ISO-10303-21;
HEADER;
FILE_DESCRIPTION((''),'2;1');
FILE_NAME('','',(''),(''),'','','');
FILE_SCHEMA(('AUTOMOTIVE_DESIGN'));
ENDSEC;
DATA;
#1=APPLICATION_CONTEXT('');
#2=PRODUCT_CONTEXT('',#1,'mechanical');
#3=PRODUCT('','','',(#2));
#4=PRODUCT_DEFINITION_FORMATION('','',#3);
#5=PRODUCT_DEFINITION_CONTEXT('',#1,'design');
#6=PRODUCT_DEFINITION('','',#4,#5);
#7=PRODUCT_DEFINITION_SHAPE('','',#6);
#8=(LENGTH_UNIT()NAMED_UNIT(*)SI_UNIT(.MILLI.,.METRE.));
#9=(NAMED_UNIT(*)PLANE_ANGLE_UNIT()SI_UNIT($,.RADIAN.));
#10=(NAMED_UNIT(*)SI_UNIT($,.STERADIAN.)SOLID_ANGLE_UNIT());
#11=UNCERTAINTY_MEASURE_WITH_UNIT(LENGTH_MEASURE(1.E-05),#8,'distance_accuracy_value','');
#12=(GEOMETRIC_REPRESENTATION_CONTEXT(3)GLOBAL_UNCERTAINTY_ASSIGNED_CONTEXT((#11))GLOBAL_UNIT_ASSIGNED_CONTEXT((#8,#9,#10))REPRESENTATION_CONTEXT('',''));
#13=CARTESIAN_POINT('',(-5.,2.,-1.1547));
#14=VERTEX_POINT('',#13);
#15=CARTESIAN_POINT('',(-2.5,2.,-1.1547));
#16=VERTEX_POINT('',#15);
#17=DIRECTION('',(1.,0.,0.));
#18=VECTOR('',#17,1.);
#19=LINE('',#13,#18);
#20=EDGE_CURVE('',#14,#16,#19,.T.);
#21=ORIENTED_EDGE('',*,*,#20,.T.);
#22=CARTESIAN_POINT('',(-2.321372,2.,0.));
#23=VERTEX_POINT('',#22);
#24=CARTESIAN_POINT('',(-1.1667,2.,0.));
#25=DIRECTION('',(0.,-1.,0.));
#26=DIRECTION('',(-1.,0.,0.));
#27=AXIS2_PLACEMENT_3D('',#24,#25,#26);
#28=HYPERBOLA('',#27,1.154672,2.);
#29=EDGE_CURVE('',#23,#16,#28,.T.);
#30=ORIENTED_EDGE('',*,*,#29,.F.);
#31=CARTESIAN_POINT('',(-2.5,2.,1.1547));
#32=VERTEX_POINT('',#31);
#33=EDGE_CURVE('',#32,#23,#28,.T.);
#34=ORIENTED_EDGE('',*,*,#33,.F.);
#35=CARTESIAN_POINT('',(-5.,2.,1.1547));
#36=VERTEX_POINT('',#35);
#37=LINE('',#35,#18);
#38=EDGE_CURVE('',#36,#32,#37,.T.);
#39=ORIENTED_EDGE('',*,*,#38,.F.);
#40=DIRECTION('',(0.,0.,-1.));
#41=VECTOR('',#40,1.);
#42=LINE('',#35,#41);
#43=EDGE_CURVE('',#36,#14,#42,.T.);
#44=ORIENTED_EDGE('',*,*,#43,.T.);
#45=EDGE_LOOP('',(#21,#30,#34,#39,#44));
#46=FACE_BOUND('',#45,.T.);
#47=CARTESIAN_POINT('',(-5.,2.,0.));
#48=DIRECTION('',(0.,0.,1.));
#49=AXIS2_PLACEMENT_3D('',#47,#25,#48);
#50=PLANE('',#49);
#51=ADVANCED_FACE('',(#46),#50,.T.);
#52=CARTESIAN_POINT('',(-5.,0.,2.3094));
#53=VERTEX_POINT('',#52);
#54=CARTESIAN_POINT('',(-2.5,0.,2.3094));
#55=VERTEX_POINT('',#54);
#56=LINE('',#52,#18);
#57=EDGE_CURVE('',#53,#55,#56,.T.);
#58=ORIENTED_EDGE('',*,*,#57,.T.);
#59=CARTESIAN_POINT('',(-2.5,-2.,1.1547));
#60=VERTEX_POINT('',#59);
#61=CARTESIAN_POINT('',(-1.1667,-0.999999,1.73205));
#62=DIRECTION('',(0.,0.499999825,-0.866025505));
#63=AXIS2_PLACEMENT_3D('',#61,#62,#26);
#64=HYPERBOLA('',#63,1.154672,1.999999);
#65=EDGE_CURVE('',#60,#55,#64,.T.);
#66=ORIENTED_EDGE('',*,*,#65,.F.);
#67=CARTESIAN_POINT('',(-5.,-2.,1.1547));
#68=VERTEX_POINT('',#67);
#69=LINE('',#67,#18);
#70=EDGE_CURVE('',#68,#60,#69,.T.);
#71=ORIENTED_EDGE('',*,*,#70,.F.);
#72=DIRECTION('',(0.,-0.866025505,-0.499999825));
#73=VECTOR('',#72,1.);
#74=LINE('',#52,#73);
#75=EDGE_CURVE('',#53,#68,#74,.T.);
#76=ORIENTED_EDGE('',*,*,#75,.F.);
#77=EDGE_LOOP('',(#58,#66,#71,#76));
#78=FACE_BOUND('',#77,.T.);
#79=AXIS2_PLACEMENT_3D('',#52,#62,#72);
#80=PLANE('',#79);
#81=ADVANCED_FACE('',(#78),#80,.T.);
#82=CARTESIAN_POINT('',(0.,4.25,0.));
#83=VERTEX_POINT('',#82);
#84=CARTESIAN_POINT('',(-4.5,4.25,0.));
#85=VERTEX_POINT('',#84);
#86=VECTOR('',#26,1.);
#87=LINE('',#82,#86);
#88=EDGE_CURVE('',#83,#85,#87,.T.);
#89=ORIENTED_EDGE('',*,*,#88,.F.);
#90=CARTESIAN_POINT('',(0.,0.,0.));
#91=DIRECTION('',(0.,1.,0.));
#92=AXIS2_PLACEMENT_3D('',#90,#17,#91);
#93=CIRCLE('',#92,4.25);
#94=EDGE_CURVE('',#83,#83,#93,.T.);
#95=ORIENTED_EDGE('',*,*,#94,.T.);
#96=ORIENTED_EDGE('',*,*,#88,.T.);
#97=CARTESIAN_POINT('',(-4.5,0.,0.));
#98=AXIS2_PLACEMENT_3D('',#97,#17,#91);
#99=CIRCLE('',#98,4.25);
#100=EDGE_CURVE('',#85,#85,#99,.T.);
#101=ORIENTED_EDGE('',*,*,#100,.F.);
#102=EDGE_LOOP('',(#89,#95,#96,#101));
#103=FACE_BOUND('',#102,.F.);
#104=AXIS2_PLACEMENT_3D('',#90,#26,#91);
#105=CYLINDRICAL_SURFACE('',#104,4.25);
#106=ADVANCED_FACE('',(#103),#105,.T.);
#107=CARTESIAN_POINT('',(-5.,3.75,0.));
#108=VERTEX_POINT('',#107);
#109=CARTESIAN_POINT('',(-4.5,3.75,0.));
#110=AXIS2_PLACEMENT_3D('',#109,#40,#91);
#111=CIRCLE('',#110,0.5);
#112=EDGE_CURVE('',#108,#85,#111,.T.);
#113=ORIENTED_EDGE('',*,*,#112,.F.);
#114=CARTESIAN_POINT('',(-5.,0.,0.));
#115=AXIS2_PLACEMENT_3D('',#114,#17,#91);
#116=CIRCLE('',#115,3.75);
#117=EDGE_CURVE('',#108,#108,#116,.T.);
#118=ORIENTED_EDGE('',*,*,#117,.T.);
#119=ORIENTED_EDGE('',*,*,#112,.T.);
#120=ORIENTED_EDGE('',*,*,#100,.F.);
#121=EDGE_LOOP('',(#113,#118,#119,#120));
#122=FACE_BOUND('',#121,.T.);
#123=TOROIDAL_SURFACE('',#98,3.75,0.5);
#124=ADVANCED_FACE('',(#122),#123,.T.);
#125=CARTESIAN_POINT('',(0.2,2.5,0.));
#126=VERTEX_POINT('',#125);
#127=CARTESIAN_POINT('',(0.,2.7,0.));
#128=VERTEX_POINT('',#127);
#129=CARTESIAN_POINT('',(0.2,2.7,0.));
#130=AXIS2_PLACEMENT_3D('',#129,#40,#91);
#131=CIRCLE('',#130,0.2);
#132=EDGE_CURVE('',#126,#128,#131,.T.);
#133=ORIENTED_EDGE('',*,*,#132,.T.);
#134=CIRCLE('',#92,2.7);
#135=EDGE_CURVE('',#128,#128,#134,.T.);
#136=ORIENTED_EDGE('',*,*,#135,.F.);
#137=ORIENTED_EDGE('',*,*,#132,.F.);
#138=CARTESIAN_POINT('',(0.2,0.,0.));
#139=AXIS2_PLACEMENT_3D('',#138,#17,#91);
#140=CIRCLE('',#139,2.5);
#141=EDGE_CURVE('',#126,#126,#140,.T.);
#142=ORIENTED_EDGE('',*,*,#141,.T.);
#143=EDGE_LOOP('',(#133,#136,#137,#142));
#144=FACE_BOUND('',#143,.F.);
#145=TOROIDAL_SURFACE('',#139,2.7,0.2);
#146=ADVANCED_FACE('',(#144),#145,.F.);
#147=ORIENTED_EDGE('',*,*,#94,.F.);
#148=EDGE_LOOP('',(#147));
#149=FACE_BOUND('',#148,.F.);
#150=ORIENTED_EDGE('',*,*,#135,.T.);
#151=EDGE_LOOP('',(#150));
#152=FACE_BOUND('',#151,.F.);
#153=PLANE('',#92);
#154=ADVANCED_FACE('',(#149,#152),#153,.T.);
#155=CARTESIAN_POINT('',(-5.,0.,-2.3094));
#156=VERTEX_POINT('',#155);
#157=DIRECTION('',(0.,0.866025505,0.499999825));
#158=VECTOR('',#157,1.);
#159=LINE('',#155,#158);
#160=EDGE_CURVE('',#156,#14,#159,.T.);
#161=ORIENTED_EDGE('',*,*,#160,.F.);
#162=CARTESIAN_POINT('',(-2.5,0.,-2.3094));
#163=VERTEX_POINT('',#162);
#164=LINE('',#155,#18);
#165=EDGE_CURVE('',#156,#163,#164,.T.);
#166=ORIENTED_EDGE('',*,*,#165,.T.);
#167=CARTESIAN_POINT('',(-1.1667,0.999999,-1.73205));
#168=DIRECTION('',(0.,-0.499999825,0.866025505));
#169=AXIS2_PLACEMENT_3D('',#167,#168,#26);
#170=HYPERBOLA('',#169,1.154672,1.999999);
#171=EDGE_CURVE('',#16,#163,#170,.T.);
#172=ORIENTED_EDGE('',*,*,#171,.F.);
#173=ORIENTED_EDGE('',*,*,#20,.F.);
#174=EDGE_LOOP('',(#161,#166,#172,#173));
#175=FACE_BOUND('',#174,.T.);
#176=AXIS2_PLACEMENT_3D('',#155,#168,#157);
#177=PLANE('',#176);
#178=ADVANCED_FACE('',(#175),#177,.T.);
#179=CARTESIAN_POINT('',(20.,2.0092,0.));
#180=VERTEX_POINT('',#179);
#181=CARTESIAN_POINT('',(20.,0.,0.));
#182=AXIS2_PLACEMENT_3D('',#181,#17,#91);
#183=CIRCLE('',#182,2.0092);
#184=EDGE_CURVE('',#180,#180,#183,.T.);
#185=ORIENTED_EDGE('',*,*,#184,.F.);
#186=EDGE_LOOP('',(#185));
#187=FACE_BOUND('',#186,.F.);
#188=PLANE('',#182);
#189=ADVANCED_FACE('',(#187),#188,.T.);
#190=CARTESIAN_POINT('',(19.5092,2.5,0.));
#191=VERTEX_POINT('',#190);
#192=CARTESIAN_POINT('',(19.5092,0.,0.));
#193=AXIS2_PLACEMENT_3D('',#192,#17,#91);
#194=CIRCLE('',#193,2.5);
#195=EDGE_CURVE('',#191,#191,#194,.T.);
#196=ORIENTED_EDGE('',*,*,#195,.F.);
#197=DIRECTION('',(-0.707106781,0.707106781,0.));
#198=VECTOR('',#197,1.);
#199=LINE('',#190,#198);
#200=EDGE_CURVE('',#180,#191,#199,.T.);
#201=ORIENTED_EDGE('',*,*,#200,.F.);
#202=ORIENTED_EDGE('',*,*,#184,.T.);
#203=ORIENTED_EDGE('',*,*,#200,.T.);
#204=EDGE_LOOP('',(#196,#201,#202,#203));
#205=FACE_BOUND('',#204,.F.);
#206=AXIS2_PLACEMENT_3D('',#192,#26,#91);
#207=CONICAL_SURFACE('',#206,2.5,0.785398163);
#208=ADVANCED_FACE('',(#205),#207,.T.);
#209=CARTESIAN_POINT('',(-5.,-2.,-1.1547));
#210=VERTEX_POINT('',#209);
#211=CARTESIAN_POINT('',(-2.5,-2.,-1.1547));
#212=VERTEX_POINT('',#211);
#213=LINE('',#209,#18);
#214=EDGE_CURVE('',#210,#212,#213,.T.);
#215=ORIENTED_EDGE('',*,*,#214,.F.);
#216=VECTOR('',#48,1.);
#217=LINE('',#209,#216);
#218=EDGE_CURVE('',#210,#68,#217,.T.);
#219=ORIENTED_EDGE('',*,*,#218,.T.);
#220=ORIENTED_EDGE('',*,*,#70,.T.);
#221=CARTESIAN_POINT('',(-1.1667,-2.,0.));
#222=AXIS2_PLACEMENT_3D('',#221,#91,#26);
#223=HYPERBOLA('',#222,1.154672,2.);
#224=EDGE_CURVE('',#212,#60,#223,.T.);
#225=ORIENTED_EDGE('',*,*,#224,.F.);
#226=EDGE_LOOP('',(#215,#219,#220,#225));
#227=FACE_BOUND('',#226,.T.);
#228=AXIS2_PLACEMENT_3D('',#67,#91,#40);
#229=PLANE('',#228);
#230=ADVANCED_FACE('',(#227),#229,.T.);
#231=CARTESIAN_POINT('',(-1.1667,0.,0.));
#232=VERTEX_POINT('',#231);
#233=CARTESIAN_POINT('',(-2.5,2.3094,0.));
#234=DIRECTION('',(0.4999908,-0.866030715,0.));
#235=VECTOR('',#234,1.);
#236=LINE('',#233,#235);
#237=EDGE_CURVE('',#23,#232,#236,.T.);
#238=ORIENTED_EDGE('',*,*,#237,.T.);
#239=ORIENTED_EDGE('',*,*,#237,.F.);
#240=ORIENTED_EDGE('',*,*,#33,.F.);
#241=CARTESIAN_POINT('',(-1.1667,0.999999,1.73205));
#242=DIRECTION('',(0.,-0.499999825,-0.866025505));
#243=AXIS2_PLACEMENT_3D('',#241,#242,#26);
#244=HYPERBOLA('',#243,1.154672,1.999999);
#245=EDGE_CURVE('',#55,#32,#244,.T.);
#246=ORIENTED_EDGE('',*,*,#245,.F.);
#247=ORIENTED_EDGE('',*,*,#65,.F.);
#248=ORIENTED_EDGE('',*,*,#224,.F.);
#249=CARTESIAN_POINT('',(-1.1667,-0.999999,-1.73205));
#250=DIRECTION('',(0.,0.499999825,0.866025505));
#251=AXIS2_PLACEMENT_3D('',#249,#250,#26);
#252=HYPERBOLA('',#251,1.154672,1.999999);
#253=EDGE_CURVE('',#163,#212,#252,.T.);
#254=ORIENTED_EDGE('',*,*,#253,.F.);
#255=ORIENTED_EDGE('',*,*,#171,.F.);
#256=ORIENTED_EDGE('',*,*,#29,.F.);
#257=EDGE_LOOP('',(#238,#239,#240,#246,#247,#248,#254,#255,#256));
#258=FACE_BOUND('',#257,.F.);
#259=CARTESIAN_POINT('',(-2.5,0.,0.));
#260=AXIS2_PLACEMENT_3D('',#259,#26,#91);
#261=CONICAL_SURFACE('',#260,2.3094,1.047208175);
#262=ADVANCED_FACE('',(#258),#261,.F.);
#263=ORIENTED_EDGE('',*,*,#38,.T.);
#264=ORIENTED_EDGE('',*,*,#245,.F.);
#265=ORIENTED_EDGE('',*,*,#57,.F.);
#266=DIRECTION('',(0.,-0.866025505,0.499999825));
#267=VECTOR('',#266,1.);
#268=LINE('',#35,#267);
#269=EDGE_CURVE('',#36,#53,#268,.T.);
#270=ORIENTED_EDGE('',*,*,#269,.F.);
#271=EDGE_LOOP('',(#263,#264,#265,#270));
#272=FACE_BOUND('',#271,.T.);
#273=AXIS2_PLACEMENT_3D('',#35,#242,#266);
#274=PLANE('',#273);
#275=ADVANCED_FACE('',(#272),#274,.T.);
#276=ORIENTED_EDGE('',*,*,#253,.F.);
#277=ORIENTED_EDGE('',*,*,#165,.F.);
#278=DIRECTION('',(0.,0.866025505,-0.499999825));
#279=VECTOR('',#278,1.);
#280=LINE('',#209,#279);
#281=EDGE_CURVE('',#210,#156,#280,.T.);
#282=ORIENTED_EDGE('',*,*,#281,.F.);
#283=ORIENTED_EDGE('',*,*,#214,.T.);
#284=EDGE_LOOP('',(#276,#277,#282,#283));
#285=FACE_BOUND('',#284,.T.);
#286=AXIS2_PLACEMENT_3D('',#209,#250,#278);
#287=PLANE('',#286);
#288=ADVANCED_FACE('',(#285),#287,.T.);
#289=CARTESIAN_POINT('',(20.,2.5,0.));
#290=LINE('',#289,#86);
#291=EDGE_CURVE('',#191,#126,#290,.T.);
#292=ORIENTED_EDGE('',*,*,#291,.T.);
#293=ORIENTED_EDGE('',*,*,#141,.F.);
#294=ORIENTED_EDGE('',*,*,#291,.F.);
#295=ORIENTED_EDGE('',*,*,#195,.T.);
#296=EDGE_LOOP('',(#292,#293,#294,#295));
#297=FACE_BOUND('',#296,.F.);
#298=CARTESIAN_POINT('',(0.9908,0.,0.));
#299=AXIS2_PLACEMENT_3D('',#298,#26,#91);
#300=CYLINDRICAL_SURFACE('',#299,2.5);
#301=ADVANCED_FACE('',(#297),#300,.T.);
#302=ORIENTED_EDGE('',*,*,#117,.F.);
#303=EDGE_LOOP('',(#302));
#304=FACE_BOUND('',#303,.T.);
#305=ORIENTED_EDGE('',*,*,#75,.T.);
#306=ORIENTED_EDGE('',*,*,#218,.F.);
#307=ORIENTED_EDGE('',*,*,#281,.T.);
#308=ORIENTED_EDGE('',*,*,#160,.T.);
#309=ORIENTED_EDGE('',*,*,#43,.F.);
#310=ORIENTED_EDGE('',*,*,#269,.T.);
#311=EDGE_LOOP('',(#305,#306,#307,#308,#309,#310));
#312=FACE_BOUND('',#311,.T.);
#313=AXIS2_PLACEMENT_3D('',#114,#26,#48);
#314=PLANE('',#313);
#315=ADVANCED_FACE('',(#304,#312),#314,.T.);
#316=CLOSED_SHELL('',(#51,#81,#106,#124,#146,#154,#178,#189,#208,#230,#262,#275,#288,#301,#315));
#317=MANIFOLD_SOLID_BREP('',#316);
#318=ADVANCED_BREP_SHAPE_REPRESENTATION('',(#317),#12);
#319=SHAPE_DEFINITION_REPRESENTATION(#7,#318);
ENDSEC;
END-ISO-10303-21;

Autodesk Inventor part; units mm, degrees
ref_plane "YZ Plane" through (0, 0, 0) normal (1, 0, 0) x (0, 1, 0)
ref_plane "XZ Plane" through (0, 0, 0) normal (0, 1, 0) x (-1, 0, 0)
sketch "Esquisse1" plane through (0, 0, 0) normal (0, 0, 1) x (1, 0, 0)
  line L0 (-1.1667, 0) -> (20, 0)
  line L1 (20, 0) -> (20, 2.5)
  line L2 (20, 2.5) -> (1.4815, 2.5)
  line L3 (1.4815, 2.5) -> (0.9908, 2.5)
  line L4 (0.9908, 2.5) -> (0, 2.5)
  line L5 (0, 2.5) -> (0, 4.25)
  line L6 (0, 4.25) -> (-5, 4.25)
  line L7 (-5, 4.25) -> (-5, 2.3094)
  line L8 (-5, 2.3094) -> (-2.5, 2.3094)
  line L9 (-2.5, 2.3094) -> (-1.1667, 0)
  line L10 (-10, 0) -> (25, 0) projected
  line L11 (0, -0.85) -> (0, 5.1) projected
  line L12 (1.4815, 2.5) -> (0, 2.5) construction
  dimension "d0" = 18.5185
  dimension "d1" = 0.4908
  dimension "d2" = 5
  dimension "d3" = 2.5
  dimension "d4" = 60
  dimension "d5" = 5
  dimension "d6" = 5
  dimension "d7" = 4.6188
  dimension "d8" = 8.5
  dimension "d19" = 20
revolve "Corps" add sketch "Esquisse1" angle 360 about axis through (-1.1667, 0, 0) along (1, 0, 0)
sketch "Esquisse2" plane through (-5, 0, 0) normal (-1, 0, 0) x (0, 0, 1)
  circle A0 centre (0, 0) radius 2.3094 projected
  line L0 (0, -5.95) -> (0, 5.95) projected
  line L1 (-5.95, 0) -> (5.95, 0) projected
  line L2 (2.3094, 0) -> (1.1547, -2)
  line L3 (1.1547, -2) -> (-1.1547, -2)
  line L4 (-1.1547, -2) -> (-2.3094, 0)
  line L5 (-2.3094, 0) -> (-1.1547, 2)
  line L6 (-1.1547, 2) -> (1.1547, 2)
  line L7 (1.1547, 2) -> (2.3094, 0)
extrude "Rainure" add sketch "Esquisse2" against normal up to next contours L7 A0 | A0 L2 | L6 L0 A0 | A0 L0 L3 | L0 L6 A0 | A0 L3 L0 | L4 A0 | A0 L5
fillet "Congé2" radius 0.5 1 edges at (-5, -4.25, 0)
thread "Filetage" size "M5x0.8" class "6g" standard "ISO Metric profile" length 18.5185
chamfer "Chanfrein1" distance 0.4908 distance2 0.4908 1 edges at (20, -2.5, 0) measured on face at (20, -0.7379, -0.3873)
fillet "Congé1" radius 0.2 1 edges at (0, -2.5, 0)
ref_plane "Work Plane1" through (30, 0, 0) normal (0, -0.5, 0.866) x (1, 0, 0)
equation "\"d0\" = GEL"
equation "\"d1\" = GAL"
equation "\"d2\" = KOH"
equation "\"d3\" = INTI"
equation "\"d5\" = GD"
equation "\"d6\" = BDM"
equation "\"d7\" = 1.1547 * SW"
equation "\"d8\" = KOD"
equation "\"d19\" = NLG"
equation "\"d16\" = RR"
equation "\"d12\" = GEL"
equation "\"d14\" = -0.5 * SPD + 0.5 * GD"
equation "\"d15\" = GUL"
equation "\"d29\" = R"
equation "\"GD\" = NND"
equation "\"NLG\" = 20"
equation "\"GEL\" = 18.51848"
equation "\"KOD\" = 8.5"
equation "\"KOH\" = 5"
equation "\"INTI\" = 2.5"
equation "\"GAL\" = 0.61345 * PTC"
equation "\"GUL\" = 0.61345 * PTC"
equation "\"BDM\" = NND"
equation "\"SW\" = 4"
equation "\"RR\" = 0.5"
equation "\"SPD\" = 4.01848"
equation "\"d28\" = R"
equation "\"R\" = 0.2"
equation "\"TOA\" = 30deg"
equation "\"THREADDIA\" = 5"
equation "\"KOD1\" = KOD"
equation "\"PTC\" = 0.8"
equation "\"NND\" = 5"
equation "\"E0\" = 1.155 * SW"
equation "\"GD1\" = THREADDIA - 1.2269 * PTC"
properties part number "ANSI B18.3.1M - M5x0,8 x 20" material "Acier, doux"
